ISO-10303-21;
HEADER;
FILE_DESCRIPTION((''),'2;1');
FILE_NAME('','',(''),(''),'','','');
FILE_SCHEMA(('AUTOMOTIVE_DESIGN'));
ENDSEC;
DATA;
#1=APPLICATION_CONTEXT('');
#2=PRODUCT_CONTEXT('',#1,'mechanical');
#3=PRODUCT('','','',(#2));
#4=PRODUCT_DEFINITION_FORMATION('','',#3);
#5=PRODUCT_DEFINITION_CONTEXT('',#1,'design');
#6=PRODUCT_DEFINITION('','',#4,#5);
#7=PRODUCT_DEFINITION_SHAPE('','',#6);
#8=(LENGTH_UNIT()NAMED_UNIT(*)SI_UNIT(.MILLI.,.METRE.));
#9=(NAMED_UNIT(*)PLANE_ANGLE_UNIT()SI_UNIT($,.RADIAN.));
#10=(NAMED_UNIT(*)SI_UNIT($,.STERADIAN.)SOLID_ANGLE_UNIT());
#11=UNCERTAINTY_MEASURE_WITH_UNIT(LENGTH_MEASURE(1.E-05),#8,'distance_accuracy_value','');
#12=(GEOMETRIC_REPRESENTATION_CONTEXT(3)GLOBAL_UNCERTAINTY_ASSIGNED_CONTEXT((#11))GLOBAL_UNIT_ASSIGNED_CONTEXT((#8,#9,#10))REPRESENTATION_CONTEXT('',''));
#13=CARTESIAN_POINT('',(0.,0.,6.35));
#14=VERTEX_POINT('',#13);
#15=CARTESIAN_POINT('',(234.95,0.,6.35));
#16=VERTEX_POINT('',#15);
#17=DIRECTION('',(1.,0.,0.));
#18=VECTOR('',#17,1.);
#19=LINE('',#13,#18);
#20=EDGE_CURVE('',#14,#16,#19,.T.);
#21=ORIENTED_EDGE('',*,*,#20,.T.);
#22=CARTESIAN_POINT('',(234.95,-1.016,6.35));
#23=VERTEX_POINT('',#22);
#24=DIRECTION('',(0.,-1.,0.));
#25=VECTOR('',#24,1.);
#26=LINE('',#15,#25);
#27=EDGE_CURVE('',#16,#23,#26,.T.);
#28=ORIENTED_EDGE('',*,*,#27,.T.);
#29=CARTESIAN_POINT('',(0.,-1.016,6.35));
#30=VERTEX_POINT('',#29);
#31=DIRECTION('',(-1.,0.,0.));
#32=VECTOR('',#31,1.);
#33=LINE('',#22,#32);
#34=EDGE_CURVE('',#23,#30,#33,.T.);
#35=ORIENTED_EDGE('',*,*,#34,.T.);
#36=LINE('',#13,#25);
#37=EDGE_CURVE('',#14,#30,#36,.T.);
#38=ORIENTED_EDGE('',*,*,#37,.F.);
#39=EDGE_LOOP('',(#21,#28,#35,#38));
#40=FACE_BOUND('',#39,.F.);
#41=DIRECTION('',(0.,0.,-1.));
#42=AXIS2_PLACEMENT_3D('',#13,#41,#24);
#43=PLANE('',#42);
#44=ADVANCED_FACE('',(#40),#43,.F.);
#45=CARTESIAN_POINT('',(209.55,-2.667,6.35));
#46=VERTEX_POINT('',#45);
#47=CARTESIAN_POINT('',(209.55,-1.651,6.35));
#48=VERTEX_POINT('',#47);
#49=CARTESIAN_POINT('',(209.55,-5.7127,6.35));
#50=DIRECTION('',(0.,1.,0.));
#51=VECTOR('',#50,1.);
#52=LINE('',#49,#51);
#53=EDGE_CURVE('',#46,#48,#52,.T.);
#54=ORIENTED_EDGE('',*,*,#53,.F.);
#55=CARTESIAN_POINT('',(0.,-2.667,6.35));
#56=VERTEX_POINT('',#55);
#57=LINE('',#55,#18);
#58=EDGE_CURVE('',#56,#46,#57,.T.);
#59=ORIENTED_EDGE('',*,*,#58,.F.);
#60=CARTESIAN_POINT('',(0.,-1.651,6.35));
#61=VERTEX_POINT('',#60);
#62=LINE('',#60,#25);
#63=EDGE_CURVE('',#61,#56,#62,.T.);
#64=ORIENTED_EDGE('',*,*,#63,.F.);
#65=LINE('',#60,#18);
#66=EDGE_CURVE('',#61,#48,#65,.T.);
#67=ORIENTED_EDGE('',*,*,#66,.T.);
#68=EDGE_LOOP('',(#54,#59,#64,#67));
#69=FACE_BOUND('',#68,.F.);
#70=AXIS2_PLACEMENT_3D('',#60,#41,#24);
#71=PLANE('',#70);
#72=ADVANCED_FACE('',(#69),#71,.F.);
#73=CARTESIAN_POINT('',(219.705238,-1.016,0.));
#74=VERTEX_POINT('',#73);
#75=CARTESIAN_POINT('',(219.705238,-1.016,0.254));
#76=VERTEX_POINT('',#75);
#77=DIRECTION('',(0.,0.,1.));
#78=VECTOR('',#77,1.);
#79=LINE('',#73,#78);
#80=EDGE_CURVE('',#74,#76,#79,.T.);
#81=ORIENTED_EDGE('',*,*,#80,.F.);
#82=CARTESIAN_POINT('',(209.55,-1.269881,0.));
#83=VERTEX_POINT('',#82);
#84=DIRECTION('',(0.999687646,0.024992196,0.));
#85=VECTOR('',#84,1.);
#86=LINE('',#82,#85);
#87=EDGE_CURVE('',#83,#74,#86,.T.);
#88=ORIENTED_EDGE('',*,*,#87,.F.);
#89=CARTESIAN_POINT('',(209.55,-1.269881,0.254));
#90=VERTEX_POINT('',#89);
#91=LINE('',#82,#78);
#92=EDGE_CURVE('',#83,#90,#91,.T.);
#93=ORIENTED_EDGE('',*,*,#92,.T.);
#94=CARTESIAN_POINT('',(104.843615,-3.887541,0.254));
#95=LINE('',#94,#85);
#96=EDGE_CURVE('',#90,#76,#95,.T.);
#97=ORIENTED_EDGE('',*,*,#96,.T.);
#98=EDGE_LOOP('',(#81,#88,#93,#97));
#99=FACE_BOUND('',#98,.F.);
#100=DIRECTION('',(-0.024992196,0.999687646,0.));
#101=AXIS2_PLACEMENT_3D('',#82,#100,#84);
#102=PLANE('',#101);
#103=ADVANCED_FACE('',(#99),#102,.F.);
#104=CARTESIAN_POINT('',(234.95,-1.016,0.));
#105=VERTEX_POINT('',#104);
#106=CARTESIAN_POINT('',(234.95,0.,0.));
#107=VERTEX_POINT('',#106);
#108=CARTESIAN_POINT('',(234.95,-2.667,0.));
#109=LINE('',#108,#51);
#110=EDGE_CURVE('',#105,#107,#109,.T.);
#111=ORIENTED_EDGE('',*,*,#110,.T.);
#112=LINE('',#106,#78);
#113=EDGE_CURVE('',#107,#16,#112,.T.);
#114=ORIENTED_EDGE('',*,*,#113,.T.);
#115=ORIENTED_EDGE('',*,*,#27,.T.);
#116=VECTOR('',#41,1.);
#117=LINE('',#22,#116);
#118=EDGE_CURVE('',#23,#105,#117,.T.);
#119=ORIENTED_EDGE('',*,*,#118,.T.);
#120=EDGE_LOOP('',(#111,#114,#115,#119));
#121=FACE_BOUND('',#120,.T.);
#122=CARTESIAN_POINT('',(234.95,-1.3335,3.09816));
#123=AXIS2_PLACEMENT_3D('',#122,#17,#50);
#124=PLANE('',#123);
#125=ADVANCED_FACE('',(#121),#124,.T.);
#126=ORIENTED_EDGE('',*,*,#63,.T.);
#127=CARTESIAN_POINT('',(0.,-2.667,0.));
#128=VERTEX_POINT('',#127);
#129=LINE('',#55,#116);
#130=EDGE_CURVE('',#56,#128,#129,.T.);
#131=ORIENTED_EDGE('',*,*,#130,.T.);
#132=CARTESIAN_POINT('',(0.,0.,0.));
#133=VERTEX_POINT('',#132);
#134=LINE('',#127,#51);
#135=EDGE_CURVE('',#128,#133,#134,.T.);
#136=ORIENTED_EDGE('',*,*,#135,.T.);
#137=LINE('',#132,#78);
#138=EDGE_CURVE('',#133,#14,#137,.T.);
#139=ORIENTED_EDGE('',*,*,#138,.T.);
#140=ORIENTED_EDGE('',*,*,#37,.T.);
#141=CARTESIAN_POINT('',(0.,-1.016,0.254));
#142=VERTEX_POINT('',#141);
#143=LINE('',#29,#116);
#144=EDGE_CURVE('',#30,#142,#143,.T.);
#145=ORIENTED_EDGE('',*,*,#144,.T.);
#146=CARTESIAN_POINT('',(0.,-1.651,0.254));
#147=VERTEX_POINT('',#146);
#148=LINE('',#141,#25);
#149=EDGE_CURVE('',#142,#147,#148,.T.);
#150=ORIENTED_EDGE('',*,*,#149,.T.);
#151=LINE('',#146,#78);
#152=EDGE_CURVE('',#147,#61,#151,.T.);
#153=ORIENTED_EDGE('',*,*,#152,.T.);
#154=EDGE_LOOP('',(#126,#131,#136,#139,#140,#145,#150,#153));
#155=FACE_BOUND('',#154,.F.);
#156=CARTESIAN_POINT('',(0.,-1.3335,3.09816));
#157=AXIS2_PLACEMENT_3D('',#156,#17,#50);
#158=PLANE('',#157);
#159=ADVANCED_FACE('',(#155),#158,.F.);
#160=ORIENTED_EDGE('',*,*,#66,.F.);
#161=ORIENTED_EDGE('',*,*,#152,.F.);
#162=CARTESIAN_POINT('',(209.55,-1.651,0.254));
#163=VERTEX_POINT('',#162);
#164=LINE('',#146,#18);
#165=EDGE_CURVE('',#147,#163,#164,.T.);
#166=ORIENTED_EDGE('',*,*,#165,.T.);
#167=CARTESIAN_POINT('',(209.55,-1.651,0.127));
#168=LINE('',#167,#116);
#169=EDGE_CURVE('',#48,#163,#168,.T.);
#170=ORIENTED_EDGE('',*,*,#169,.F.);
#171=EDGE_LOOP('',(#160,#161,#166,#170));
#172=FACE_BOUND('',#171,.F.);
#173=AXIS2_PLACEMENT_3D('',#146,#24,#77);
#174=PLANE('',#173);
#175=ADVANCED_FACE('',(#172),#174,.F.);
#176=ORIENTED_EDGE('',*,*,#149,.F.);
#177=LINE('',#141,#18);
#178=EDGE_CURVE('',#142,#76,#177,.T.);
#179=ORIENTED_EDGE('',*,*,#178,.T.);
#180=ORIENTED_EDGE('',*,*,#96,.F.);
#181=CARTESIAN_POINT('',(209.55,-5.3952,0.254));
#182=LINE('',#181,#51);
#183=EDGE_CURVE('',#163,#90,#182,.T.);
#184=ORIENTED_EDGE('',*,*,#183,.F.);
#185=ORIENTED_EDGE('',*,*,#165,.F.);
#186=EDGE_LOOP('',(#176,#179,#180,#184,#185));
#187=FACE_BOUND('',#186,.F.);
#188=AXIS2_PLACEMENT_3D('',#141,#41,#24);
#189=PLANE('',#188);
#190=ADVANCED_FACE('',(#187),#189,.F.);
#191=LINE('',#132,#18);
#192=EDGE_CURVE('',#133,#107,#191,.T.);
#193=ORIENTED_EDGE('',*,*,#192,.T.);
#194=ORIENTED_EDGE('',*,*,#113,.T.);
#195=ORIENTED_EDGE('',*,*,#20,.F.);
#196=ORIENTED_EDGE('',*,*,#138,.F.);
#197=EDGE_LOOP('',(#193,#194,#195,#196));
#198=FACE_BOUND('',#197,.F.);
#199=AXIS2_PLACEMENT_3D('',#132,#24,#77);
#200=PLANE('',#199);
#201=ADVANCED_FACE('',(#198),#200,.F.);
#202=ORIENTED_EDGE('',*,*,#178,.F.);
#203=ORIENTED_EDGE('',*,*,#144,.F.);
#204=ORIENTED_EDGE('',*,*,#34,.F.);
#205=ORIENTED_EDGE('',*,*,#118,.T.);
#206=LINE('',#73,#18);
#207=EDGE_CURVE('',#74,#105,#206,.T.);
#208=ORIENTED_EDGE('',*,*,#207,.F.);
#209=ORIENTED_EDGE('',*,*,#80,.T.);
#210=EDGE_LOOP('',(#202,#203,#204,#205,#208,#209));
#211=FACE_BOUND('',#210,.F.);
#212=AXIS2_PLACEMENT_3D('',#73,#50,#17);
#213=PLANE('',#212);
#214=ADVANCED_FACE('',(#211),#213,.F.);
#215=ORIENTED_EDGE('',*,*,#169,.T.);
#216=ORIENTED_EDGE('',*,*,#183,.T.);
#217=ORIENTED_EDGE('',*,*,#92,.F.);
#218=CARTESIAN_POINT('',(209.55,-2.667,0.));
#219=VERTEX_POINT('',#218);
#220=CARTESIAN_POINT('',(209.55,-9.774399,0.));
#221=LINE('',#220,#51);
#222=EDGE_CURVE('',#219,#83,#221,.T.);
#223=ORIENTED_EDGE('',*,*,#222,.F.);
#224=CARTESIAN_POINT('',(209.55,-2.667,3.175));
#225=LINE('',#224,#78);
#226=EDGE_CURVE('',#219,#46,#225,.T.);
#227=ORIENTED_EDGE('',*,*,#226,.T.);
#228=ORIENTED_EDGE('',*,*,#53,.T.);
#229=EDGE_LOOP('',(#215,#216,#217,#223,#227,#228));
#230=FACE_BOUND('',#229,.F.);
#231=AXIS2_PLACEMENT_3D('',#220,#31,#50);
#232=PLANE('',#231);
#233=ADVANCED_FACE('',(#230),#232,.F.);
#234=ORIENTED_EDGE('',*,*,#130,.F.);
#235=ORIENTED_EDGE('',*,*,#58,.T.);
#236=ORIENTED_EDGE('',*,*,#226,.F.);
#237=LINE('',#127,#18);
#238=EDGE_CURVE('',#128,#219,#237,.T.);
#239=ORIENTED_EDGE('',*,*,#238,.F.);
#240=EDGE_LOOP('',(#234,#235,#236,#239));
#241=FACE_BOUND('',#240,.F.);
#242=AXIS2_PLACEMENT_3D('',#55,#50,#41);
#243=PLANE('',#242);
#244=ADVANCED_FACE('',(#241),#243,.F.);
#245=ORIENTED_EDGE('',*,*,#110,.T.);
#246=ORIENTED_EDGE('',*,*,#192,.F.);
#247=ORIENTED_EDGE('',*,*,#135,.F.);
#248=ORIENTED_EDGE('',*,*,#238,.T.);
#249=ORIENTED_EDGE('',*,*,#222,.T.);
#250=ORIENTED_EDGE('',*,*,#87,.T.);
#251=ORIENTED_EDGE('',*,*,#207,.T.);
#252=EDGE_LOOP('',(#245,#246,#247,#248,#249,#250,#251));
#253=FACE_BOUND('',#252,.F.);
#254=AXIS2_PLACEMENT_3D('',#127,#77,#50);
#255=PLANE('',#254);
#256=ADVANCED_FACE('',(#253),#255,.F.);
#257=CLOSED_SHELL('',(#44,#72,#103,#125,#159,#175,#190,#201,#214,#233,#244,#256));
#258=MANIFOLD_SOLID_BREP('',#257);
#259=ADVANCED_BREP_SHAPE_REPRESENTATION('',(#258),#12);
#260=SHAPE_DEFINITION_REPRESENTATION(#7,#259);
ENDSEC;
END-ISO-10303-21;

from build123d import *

# Parameters (mm, degrees)
F1_DEPTH = 234.95
F3_DEPTH = 25.4


with BuildPart() as f1:
    # F0 (on Right) → F1 (new body)
    with BuildSketch(Plane.YZ):
        Polygon((-2.667, 0), (0, 0), (0, 6.35), (-1.016, 6.35), (-1.016, 0.254), (-1.651, 0.254), (-1.651, 6.35), (-2.667, 6.35), align=None)
    extrude(amount=F1_DEPTH)

    # F2 (on face) → F3 (cut)
    with BuildSketch(Plane(origin=(0, 0, 0), x_dir=(1, 0, 0), z_dir=(0, 0, -1))):
        Polygon((240.680232, 1.016), (240.680232, 9.774399), (209.55, 9.774399), (209.55, 1.269881), (219.705238, 1.016), align=None)
    extrude(amount=-F3_DEPTH, mode=Mode.SUBTRACT)


solid = f1.part
